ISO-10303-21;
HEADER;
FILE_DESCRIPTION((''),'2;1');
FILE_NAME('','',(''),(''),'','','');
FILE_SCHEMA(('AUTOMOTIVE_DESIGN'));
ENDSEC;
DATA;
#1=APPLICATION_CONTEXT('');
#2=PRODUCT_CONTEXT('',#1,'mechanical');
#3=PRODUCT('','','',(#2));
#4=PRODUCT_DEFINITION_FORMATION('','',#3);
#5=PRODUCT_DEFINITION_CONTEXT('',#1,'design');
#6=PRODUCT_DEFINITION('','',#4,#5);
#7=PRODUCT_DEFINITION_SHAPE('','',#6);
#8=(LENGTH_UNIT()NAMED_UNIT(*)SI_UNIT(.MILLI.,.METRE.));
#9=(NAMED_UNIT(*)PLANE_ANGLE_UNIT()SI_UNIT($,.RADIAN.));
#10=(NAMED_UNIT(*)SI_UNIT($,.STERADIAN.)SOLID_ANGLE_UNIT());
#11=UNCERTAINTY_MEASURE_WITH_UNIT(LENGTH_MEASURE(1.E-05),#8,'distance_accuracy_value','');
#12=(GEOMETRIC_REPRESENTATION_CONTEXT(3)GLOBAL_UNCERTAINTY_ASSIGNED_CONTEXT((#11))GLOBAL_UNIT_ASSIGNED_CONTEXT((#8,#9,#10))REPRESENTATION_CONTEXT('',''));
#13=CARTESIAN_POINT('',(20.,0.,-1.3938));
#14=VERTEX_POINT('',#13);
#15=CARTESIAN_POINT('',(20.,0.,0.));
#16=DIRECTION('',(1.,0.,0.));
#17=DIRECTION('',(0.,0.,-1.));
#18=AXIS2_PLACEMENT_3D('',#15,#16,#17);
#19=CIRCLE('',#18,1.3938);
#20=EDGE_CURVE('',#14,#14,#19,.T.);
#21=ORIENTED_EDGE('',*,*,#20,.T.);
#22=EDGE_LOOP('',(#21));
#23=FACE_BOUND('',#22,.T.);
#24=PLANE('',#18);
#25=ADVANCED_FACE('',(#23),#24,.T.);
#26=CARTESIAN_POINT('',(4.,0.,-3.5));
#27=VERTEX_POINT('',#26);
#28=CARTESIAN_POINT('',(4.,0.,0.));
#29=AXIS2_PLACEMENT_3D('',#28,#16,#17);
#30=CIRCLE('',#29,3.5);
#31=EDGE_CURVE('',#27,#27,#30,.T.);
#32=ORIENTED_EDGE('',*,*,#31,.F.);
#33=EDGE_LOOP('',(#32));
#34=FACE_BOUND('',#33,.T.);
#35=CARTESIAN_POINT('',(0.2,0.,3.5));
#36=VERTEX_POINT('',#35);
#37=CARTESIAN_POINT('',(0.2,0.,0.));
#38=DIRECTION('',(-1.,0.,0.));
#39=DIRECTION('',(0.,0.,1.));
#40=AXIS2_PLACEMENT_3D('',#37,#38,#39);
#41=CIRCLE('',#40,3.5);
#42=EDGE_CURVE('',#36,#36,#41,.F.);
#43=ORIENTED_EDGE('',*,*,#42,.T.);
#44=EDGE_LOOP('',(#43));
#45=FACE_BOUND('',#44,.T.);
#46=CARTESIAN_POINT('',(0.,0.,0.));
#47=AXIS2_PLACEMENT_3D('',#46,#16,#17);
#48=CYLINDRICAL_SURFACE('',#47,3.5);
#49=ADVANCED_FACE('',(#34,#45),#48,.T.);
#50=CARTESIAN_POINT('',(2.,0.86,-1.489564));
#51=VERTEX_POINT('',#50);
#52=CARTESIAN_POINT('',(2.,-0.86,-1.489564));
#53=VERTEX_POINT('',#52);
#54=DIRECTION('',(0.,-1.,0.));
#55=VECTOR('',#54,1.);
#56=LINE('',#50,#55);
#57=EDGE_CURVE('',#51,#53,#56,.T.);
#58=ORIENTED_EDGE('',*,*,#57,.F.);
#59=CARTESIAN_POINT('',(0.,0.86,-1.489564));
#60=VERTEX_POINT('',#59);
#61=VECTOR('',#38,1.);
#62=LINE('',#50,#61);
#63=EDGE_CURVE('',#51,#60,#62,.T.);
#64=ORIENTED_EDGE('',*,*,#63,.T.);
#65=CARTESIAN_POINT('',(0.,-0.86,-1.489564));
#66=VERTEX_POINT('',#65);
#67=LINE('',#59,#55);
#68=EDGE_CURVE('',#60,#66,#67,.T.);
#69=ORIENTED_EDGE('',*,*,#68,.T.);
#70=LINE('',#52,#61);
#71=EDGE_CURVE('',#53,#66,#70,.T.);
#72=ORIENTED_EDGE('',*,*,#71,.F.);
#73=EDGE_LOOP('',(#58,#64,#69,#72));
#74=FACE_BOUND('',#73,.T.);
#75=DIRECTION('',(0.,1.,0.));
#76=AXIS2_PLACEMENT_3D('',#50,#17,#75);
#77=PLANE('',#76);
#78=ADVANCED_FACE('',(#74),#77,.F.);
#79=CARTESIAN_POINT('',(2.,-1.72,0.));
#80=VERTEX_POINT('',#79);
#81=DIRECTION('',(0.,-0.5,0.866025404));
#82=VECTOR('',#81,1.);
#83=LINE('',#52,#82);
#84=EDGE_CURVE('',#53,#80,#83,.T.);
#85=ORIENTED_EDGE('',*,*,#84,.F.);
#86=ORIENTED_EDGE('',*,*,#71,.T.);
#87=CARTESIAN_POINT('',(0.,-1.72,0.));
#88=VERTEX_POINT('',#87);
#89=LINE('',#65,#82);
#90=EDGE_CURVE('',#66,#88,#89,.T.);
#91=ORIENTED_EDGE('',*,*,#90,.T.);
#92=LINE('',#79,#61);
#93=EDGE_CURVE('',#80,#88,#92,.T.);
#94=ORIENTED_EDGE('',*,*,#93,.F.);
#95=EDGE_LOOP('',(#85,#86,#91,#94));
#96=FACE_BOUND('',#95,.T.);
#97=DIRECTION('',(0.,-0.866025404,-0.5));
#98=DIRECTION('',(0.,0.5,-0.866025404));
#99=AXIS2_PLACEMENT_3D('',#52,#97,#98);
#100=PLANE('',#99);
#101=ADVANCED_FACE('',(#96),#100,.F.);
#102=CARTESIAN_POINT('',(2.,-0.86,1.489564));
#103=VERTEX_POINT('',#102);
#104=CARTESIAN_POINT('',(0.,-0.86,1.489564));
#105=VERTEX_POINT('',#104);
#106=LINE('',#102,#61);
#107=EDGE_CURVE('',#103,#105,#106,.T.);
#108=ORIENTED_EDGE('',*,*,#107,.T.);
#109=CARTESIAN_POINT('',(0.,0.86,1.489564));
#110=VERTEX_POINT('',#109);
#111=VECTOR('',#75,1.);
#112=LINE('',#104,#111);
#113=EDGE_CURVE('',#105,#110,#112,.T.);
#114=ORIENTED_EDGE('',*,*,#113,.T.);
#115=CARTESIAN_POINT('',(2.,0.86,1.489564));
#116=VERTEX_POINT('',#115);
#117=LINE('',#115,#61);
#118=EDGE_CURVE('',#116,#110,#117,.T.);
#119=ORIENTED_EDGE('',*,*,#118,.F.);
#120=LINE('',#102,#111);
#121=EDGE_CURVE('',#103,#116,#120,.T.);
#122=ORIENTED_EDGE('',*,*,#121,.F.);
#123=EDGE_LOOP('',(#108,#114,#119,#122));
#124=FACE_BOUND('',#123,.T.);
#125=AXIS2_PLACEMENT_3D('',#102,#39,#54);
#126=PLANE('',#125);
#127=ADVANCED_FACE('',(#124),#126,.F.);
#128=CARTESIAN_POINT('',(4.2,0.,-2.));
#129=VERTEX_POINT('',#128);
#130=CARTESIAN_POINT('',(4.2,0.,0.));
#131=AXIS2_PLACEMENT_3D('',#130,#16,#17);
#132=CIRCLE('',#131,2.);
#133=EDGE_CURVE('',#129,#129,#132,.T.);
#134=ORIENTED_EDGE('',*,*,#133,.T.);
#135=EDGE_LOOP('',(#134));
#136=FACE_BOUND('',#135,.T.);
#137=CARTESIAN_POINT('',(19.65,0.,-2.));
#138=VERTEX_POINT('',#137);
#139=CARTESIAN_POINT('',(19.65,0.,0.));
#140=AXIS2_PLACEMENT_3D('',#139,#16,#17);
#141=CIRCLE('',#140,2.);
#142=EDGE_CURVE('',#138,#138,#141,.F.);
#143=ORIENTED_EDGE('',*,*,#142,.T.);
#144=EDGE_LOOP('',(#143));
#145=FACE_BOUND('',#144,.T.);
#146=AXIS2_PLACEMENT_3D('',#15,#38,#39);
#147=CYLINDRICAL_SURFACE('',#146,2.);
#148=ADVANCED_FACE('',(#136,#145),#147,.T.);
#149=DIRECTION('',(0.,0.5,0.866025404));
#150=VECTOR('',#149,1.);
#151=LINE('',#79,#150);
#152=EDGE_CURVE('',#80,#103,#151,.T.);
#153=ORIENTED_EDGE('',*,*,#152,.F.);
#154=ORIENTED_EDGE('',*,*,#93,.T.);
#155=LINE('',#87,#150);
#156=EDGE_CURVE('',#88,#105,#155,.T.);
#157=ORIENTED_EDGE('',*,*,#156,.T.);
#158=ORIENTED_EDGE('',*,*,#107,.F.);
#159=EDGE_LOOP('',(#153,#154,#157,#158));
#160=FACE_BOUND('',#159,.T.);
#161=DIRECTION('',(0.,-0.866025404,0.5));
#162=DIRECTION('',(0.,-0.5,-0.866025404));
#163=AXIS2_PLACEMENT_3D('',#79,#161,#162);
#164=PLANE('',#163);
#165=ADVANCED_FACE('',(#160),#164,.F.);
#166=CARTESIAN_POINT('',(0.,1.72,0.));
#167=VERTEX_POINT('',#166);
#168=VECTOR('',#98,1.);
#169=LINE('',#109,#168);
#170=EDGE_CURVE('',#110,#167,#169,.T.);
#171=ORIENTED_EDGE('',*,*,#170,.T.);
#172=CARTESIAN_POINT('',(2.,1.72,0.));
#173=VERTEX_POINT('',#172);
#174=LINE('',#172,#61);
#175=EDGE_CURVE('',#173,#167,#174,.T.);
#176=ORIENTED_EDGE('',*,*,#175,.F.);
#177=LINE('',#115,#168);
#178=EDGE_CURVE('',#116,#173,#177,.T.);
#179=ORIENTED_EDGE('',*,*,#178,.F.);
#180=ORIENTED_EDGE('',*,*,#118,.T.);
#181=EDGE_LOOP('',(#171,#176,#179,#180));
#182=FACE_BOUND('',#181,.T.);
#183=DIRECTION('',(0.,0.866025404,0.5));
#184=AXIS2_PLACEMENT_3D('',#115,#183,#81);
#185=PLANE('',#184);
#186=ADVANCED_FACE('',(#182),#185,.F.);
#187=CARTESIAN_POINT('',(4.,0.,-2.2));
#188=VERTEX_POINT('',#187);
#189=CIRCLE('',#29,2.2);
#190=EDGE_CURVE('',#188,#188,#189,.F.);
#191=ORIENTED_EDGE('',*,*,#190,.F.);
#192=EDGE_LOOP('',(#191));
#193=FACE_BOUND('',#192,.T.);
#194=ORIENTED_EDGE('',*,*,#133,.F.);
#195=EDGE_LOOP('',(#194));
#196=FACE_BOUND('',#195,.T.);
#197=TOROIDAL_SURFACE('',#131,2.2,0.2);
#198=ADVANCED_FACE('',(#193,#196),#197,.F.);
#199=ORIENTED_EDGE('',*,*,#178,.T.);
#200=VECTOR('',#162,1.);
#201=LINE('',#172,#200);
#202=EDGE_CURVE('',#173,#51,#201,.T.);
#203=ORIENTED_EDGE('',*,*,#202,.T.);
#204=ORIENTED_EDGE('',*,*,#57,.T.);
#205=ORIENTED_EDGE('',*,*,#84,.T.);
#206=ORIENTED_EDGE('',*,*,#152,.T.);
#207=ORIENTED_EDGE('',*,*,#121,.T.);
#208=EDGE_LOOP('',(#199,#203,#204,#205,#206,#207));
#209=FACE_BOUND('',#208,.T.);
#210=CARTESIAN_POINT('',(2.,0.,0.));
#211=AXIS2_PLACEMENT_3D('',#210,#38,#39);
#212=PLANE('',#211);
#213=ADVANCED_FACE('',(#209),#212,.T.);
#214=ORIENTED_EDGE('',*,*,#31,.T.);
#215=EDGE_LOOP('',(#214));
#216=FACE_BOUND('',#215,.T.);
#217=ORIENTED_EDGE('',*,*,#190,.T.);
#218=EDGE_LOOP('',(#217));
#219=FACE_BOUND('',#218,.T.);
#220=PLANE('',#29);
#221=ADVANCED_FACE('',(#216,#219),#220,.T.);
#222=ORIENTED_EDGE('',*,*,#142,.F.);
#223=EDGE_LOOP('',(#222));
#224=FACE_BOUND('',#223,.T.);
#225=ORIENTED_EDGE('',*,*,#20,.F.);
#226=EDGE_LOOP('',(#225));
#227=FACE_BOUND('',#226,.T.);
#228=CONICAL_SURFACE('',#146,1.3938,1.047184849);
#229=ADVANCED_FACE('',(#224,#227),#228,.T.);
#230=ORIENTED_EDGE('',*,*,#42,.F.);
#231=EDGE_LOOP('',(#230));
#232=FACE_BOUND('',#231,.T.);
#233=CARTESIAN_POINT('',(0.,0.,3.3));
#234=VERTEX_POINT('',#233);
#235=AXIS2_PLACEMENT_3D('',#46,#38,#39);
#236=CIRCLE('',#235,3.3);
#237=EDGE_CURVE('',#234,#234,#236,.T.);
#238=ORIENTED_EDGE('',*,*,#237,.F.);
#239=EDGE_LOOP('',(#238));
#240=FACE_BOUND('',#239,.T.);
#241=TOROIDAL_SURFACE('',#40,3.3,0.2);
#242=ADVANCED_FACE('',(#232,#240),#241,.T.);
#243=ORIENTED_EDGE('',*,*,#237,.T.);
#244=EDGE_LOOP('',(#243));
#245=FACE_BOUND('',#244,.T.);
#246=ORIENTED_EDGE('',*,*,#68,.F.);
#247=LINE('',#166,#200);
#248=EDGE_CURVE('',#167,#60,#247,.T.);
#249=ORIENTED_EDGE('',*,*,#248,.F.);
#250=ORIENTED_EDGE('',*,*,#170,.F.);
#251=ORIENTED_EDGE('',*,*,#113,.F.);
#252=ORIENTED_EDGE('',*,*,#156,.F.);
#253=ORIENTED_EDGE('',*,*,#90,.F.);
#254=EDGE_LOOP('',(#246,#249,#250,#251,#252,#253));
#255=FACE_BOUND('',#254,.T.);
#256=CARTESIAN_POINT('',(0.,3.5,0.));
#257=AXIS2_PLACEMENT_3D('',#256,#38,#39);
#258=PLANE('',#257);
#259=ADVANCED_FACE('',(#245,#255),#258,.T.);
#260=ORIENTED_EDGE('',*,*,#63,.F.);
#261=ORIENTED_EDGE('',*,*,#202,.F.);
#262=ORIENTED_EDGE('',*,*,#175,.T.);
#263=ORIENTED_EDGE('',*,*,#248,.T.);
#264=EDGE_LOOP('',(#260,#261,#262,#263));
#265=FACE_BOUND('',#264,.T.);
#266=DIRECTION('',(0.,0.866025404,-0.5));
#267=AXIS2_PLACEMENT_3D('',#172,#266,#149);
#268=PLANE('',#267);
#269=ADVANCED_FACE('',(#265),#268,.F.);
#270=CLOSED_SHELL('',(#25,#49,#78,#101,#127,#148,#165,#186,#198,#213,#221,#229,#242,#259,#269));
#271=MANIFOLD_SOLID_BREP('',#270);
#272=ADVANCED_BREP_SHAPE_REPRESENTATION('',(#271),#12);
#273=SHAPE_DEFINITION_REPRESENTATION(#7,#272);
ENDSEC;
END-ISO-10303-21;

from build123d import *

# Parameters (mm, degrees)
SKETCH_1_W          = 4
SKETCH_1_H          = 3.5
SKETCH_2_R          = 2
EXTRUDE_1_DEPTH     = 16
CUT_EXTRUDE_1_DEPTH = 2
CHAMFER_1_SIZE      = 0.6062
CHAMFER_1_SIZE2     = 0.35
FILLET_1_R          = 0.2


with BuildPart() as part:
    # 草图1 → 旋转1 (revolve)
    with BuildSketch(Plane.XY):
        with Locations((2, 1.75)):
            Rectangle(SKETCH_1_W, SKETCH_1_H)
    revolve(axis=Axis((0, 0, 0), (1, 0, 0)))

    # 草图2 → 凸台-拉伸1 (add)
    with BuildSketch(Plane(origin=(4, 0, 0), x_dir=(0, 0, -1), z_dir=(1, 0, 0))):
        Circle(SKETCH_2_R)
    extrude(amount=EXTRUDE_1_DEPTH)

    # 草图3 → 切除-拉伸1 (cut)
    with BuildSketch(Plane.ZY):
        Polygon((0, 1.72), (-1.489563695, 0.86), (-1.489563695, -0.86), (0, -1.72), (1.489563695, -0.86), (1.489563695, 0.86), align=None)
    extrude(amount=-CUT_EXTRUDE_1_DEPTH, mode=Mode.SUBTRACT)

    # 倒角1
    chamfer_1_edges = [part.edges().sort_by_distance(p)[0] for p in [
        (20, 0, 2),
    ]]
    chamfer_1_side = [part.faces().sort_by_distance(p)[0] for p in [
        (20, 0, 0),
    ]]
    chamfer(chamfer_1_edges, length=CHAMFER_1_SIZE, length2=CHAMFER_1_SIZE2, reference=chamfer_1_side[0])

    # 圆角1
    fillet_1_edges = [part.edges().sort_by_distance(p)[0] for p in [
        (0, -3.5, 0),
        (4, 0, 2),
    ]]
    fillet(fillet_1_edges, radius=FILLET_1_R)


solid = part.part
